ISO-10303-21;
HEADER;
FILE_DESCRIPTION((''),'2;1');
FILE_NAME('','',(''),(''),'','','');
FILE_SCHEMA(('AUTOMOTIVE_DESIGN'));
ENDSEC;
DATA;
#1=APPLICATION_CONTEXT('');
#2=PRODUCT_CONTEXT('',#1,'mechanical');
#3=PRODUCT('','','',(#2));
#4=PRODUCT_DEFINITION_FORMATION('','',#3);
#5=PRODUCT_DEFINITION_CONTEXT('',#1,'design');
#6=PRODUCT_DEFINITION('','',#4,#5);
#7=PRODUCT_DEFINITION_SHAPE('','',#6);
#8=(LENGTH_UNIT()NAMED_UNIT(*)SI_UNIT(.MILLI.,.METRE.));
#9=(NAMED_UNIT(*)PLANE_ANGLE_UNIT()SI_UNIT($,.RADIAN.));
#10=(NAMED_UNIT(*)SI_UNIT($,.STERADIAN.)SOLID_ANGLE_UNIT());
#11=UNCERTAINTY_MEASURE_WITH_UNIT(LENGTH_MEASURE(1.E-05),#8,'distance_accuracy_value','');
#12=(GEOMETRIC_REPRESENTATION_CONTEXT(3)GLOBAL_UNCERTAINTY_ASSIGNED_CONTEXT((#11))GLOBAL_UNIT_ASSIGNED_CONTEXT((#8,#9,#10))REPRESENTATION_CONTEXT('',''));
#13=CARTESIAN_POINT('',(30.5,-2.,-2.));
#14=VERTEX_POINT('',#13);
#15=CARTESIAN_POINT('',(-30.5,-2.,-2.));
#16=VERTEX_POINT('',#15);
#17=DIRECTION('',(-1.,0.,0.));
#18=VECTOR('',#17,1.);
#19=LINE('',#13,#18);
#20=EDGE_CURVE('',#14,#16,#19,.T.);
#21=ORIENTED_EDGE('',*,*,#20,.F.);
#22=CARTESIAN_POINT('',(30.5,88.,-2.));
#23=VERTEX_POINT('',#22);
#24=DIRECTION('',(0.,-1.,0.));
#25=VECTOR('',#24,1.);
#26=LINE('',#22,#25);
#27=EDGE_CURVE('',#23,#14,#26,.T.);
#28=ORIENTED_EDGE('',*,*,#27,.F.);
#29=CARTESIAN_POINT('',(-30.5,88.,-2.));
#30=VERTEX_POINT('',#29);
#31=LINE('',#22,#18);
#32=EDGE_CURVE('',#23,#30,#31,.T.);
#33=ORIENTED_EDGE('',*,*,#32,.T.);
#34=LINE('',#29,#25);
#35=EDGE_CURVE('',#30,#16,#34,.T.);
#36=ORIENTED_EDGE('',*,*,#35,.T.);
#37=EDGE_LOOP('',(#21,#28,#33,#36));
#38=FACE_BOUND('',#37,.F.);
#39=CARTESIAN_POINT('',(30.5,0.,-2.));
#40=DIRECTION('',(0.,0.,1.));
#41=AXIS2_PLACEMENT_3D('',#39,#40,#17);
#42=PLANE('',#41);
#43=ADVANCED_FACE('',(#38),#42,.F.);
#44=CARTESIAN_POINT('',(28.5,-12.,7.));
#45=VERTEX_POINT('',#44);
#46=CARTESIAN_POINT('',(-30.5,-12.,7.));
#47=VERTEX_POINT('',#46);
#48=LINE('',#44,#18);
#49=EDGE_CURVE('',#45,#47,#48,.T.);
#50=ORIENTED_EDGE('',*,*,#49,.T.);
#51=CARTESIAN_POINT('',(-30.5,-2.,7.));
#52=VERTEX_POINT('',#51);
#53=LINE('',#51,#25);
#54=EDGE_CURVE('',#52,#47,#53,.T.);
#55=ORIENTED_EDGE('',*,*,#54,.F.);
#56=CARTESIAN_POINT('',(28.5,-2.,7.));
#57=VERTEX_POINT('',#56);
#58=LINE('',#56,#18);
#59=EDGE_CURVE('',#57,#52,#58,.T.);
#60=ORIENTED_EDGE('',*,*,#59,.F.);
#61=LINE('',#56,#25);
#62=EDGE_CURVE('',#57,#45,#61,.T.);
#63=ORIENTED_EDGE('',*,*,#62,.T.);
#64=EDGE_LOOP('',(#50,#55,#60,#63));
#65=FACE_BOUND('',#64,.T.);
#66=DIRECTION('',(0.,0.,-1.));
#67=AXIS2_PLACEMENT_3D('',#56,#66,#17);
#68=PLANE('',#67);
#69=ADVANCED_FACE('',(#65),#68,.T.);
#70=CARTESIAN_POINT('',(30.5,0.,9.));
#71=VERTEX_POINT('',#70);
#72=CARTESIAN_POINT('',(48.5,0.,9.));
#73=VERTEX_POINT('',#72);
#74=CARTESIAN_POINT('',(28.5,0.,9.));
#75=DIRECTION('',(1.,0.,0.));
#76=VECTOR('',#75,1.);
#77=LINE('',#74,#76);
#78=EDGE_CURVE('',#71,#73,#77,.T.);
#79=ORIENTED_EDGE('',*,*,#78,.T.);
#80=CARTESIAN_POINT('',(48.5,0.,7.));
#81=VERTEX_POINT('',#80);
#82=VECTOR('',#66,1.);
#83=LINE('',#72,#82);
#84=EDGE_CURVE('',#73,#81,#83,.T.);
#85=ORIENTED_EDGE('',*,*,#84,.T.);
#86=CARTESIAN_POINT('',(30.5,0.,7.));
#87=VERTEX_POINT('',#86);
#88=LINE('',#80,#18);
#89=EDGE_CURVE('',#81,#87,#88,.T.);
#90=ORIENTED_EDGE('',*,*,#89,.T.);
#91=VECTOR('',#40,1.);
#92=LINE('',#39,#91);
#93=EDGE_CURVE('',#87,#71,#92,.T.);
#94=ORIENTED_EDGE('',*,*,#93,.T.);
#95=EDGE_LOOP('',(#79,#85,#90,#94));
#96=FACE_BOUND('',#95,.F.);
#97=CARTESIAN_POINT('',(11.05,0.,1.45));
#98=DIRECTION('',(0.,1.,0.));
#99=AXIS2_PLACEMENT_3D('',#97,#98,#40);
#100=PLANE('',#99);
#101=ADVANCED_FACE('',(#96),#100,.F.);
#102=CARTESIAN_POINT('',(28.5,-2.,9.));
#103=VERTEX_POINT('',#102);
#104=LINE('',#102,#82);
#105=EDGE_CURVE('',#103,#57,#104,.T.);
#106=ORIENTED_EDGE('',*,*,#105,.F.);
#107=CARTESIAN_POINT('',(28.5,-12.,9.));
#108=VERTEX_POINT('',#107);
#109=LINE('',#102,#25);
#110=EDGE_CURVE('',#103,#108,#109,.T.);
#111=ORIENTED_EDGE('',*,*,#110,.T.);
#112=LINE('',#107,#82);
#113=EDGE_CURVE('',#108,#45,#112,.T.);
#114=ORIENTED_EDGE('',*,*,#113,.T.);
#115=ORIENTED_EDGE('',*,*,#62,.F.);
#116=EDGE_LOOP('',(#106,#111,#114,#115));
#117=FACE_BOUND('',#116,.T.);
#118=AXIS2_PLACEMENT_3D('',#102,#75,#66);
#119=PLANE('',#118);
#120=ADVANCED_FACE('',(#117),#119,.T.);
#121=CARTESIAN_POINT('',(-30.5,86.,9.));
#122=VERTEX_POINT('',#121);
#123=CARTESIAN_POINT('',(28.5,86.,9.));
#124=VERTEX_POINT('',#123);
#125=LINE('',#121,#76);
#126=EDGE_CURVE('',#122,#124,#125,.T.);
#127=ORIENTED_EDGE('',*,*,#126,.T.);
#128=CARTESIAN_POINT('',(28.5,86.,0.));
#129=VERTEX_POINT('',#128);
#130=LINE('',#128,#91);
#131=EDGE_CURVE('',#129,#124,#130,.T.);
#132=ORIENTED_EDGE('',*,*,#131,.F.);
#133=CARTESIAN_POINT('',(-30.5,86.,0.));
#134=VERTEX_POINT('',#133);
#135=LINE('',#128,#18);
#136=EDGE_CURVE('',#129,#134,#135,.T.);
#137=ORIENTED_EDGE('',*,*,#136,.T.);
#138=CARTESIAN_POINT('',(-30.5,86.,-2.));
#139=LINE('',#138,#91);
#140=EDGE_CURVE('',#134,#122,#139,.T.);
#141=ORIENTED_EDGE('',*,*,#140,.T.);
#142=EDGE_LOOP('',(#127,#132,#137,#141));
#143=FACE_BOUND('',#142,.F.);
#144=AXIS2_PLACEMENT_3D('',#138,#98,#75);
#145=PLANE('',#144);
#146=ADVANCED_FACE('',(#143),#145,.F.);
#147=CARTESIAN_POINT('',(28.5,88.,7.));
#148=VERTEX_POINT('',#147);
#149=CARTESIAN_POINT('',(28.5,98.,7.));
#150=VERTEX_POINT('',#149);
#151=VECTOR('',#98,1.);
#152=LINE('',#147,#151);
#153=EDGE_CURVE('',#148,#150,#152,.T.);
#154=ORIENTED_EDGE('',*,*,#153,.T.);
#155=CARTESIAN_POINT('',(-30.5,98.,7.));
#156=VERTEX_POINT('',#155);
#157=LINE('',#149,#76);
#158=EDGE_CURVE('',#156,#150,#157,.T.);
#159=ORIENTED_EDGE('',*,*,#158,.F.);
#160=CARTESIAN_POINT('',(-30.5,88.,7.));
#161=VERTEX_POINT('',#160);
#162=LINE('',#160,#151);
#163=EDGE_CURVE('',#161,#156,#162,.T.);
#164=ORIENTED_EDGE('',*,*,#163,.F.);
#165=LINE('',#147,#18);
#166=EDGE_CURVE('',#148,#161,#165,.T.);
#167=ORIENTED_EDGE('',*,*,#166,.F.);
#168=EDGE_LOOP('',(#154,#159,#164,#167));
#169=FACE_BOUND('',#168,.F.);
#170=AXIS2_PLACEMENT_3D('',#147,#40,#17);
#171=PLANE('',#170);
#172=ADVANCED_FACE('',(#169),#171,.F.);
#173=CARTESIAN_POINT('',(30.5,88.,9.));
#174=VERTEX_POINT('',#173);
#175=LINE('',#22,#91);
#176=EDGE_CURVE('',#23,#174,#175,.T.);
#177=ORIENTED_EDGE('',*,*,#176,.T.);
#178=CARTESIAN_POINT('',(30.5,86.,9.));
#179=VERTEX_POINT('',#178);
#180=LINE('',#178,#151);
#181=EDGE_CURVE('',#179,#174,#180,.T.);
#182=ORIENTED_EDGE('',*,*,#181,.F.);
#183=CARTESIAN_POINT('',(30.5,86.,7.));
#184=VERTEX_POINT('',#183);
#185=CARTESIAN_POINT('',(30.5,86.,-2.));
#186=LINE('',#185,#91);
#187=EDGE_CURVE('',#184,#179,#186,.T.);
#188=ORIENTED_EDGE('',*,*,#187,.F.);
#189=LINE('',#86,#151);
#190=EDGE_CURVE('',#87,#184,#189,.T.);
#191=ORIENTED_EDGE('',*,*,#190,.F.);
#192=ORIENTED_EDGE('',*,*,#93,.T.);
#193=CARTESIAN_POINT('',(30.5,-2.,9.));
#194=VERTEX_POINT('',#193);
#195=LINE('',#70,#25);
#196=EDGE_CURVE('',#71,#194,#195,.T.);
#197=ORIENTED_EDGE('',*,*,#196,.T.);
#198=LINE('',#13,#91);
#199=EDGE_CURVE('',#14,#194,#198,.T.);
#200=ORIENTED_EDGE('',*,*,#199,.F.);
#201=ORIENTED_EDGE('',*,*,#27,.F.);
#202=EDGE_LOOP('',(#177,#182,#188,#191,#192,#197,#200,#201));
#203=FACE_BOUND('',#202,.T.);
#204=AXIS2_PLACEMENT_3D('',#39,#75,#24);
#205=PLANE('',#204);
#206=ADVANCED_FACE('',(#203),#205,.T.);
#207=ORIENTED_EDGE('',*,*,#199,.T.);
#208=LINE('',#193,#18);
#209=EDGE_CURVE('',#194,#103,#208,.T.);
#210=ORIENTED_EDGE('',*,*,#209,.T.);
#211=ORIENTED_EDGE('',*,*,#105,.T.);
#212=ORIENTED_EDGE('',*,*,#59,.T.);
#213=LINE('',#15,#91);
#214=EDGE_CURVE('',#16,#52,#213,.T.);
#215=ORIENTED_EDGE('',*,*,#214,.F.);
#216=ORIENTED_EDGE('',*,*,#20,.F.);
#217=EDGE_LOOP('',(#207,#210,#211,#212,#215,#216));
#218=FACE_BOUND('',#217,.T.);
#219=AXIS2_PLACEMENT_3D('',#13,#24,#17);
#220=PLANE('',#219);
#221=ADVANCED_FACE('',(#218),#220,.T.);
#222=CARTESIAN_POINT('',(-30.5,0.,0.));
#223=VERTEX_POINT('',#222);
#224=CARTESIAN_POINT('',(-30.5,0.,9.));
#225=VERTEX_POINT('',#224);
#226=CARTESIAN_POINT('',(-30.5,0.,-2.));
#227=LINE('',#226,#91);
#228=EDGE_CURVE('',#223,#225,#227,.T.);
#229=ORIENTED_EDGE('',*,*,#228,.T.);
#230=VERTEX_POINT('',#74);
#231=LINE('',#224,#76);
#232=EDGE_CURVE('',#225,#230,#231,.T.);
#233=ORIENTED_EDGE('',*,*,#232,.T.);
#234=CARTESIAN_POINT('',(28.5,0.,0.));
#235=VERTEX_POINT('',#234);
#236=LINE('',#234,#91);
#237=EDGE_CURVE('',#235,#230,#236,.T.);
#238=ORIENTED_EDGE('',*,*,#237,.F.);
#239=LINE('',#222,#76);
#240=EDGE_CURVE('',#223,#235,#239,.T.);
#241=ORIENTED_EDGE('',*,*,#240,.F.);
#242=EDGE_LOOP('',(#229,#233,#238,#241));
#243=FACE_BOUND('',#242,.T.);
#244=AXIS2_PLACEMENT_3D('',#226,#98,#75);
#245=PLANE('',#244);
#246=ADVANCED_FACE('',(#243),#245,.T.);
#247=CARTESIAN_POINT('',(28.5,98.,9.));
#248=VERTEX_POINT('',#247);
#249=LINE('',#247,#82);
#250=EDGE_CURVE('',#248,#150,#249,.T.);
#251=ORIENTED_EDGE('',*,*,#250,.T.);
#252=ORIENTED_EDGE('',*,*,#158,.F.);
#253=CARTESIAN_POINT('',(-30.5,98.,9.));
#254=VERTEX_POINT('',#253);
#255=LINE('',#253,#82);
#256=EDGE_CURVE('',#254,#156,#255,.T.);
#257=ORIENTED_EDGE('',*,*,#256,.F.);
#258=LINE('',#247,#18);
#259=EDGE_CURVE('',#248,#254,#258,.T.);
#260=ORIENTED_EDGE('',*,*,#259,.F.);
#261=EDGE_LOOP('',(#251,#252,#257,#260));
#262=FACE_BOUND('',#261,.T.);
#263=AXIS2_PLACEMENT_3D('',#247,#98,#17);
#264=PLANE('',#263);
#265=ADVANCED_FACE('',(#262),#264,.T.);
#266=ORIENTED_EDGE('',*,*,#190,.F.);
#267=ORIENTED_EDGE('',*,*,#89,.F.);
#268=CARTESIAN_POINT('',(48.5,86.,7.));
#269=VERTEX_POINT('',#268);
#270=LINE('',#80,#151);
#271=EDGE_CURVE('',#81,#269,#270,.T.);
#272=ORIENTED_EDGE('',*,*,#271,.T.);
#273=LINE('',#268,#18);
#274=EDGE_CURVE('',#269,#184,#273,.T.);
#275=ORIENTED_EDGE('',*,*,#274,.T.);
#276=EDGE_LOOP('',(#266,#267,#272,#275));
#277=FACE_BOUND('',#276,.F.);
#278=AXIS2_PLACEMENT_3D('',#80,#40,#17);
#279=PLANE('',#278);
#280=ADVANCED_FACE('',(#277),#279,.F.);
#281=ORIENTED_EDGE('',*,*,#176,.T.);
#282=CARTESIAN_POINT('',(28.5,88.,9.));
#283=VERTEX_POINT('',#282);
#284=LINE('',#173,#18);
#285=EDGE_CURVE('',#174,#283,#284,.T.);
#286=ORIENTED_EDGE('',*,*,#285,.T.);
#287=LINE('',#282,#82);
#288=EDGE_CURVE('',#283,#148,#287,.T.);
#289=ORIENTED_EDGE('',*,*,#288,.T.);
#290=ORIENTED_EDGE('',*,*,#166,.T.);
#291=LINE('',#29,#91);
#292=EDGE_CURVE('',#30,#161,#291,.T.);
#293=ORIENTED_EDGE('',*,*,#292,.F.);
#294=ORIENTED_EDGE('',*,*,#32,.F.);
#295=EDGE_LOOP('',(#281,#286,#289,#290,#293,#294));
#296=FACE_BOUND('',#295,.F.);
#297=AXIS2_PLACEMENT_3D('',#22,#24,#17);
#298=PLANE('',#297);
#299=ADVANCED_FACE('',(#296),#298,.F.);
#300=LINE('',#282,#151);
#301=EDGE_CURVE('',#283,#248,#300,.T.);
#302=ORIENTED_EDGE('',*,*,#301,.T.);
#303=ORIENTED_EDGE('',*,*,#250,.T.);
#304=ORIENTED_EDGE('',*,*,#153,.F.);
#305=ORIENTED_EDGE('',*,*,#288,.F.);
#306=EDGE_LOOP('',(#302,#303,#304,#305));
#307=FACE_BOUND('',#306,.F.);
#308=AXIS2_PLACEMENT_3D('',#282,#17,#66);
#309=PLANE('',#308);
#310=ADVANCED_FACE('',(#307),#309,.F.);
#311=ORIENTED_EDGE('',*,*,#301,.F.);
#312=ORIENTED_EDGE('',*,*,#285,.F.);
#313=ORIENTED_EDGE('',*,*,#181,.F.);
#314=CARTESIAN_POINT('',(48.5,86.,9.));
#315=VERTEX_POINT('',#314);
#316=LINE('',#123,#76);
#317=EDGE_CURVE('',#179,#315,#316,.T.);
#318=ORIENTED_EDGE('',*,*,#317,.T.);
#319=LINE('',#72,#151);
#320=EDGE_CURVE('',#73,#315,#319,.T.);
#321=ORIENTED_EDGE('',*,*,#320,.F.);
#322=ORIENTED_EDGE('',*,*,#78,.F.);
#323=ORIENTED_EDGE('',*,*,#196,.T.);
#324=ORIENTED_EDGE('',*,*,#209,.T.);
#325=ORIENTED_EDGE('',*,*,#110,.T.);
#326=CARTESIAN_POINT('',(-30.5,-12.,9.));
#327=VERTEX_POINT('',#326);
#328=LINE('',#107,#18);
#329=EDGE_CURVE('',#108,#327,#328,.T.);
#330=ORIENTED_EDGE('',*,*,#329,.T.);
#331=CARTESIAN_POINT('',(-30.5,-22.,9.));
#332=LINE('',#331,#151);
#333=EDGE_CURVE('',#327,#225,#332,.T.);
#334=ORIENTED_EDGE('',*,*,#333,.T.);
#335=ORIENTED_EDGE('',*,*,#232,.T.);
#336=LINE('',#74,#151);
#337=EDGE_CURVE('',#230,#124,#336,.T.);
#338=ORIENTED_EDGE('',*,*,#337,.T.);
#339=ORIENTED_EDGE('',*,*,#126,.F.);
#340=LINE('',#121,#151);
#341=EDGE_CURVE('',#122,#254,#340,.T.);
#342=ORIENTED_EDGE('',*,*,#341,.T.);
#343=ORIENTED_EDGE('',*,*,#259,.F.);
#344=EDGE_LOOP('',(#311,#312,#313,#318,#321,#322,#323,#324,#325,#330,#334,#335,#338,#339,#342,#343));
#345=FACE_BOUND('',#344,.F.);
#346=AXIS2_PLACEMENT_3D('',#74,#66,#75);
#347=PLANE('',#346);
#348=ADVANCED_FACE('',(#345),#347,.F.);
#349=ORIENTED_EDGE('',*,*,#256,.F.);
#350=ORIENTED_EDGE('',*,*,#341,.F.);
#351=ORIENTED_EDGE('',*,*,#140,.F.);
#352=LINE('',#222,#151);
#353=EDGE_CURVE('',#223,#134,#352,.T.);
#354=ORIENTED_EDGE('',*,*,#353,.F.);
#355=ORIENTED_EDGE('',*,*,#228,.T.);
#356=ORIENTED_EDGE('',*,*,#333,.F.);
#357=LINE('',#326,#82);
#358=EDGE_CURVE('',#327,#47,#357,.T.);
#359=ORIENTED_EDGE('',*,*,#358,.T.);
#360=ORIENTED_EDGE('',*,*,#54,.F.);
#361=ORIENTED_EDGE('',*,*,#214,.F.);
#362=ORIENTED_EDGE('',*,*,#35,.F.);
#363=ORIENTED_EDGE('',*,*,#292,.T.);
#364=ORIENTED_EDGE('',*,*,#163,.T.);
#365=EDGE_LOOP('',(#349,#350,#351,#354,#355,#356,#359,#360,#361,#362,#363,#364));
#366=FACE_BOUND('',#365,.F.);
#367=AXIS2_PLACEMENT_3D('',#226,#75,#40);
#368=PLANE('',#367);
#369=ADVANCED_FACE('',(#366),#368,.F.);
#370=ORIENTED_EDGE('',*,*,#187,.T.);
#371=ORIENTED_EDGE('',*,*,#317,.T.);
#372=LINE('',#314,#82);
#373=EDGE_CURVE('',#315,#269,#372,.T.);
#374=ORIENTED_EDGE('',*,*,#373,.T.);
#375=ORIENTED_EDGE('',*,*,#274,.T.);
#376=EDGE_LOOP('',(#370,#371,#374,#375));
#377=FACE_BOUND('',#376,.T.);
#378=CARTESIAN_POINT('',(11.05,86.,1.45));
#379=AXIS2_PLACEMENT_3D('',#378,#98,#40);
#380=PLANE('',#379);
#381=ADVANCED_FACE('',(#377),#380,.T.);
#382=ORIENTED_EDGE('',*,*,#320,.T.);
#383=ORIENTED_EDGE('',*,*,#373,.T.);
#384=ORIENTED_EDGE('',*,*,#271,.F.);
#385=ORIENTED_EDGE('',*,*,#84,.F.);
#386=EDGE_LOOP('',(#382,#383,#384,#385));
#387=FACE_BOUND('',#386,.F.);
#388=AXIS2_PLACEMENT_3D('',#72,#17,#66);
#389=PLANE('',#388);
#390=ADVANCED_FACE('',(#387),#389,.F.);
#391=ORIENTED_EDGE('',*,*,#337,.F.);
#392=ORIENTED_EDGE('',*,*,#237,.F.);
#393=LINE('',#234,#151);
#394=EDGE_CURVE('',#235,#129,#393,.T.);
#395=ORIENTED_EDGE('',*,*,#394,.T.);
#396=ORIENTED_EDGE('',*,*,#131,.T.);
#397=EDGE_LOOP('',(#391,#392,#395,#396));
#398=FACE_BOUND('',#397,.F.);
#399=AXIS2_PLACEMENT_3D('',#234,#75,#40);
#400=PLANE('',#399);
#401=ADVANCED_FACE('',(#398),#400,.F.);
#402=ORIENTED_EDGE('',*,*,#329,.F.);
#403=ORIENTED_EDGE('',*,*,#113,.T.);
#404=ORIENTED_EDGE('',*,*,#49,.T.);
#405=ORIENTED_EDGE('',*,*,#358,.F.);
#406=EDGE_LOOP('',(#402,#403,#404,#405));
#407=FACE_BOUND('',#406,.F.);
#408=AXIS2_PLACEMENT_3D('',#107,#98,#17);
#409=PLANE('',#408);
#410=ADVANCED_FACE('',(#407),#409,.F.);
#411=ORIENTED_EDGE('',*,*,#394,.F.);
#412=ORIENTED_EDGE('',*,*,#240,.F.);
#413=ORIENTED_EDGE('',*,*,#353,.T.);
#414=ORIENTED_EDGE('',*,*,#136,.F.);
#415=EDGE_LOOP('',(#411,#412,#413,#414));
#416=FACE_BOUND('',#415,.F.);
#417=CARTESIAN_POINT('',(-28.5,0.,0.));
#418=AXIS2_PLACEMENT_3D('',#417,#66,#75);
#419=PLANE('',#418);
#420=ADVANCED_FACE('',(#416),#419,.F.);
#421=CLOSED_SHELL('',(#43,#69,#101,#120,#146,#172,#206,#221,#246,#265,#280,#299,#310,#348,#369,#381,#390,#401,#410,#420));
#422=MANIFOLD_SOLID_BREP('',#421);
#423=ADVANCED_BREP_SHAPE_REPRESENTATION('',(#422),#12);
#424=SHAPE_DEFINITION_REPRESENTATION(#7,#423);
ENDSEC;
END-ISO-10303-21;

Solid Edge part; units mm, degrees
sketch "Sketch1" plane through (0, 0, 0) normal (0, -1, 0) x (1, 0, 0)
  line L0 (-28.5, 0) -> (28.5, 0)
  line L1 (28.5, 0) -> (28.5, 9)
  line L2 (28.5, 9) -> (48.5, 9)
  line L3 (48.5, 9) -> (48.5, 7)
  line L4 (48.5, 7) -> (30.5, 7)
  line L5 (30.5, 7) -> (30.5, -2)
  line L6 (30.5, -2) -> (-30.5, -2)
  line L7 (-30.5, -2) -> (-30.5, 0)
  line L8 (-28.5, 0) -> (-30.5, 0)
extrude "Protrusion1" add sketch "Sketch1" against normal blind 86
sketch "Sketch2" plane through (0, 43, -2) normal (0, 0, -1) x (0, -1, 0)
  line L0 (-43, 30.5) -> (-43, -30.5)
  line L1 (-43, -30.5) -> (-45, -30.5)
  line L2 (-45, -30.5) -> (-45, 30.5)
  line L3 (-45, 30.5) -> (-43, 30.5)
  line L4 (45, -30.5) -> (45, 30.5)
  line L5 (45, 30.5) -> (43, 30.5)
  line L6 (43, 30.5) -> (43, -30.5)
  line L7 (43, -30.5) -> (45, -30.5)
extrude "ExtrudedProtrusion_2" add sketch "Sketch2" against normal blind 11
sketch "Sketch3" plane through (0, -2, 3.5) normal (0, -1, 0) x (1, 0, 0)
  line L0 (28.5, 3.5) -> (-30.5, 3.5)
  line L1 (-30.5, 3.5) -> (-30.5, 5.5)
  line L2 (-30.5, 5.5) -> (28.5, 5.5)
  line L3 (28.5, 5.5) -> (28.5, 3.5)
extrude "ExtrudedProtrusion_3" add sketch "Sketch3" along normal blind 20
sketch "Sketch4" plane through (0, 88, 3.5) normal (0, 1, 0) x (-1, 0, 0)
  line L0 (-28.5, 3.5) -> (30.5, 3.5)
  line L1 (30.5, 3.5) -> (30.5, 5.5)
  line L2 (30.5, 5.5) -> (-28.5, 5.5)
  line L3 (-28.5, 5.5) -> (-28.5, 3.5)
extrude "ExtrudedProtrusion_4" add sketch "Sketch4" along normal blind 20
sketch "Sketch5" plane through (9, 43, 9) normal (0, 0, 1) x (1, 0, 0)
  line L0 (19.5, -55) -> (-39.5, -55)
  line L1 (-39.5, -55) -> (-39.5, -65)
  line L2 (-39.5, -65) -> (19.5, -65)
  line L3 (19.5, -65) -> (19.5, -55)
  line L4 (19.5, 55) -> (-39.5, 55)
  line L5 (-39.5, 55) -> (-39.5, 65)
  line L6 (-39.5, 65) -> (19.5, 65)
  line L7 (19.5, 65) -> (19.5, 55)
extrude "Cutout1" cut sketch "Sketch5" against normal up to next
